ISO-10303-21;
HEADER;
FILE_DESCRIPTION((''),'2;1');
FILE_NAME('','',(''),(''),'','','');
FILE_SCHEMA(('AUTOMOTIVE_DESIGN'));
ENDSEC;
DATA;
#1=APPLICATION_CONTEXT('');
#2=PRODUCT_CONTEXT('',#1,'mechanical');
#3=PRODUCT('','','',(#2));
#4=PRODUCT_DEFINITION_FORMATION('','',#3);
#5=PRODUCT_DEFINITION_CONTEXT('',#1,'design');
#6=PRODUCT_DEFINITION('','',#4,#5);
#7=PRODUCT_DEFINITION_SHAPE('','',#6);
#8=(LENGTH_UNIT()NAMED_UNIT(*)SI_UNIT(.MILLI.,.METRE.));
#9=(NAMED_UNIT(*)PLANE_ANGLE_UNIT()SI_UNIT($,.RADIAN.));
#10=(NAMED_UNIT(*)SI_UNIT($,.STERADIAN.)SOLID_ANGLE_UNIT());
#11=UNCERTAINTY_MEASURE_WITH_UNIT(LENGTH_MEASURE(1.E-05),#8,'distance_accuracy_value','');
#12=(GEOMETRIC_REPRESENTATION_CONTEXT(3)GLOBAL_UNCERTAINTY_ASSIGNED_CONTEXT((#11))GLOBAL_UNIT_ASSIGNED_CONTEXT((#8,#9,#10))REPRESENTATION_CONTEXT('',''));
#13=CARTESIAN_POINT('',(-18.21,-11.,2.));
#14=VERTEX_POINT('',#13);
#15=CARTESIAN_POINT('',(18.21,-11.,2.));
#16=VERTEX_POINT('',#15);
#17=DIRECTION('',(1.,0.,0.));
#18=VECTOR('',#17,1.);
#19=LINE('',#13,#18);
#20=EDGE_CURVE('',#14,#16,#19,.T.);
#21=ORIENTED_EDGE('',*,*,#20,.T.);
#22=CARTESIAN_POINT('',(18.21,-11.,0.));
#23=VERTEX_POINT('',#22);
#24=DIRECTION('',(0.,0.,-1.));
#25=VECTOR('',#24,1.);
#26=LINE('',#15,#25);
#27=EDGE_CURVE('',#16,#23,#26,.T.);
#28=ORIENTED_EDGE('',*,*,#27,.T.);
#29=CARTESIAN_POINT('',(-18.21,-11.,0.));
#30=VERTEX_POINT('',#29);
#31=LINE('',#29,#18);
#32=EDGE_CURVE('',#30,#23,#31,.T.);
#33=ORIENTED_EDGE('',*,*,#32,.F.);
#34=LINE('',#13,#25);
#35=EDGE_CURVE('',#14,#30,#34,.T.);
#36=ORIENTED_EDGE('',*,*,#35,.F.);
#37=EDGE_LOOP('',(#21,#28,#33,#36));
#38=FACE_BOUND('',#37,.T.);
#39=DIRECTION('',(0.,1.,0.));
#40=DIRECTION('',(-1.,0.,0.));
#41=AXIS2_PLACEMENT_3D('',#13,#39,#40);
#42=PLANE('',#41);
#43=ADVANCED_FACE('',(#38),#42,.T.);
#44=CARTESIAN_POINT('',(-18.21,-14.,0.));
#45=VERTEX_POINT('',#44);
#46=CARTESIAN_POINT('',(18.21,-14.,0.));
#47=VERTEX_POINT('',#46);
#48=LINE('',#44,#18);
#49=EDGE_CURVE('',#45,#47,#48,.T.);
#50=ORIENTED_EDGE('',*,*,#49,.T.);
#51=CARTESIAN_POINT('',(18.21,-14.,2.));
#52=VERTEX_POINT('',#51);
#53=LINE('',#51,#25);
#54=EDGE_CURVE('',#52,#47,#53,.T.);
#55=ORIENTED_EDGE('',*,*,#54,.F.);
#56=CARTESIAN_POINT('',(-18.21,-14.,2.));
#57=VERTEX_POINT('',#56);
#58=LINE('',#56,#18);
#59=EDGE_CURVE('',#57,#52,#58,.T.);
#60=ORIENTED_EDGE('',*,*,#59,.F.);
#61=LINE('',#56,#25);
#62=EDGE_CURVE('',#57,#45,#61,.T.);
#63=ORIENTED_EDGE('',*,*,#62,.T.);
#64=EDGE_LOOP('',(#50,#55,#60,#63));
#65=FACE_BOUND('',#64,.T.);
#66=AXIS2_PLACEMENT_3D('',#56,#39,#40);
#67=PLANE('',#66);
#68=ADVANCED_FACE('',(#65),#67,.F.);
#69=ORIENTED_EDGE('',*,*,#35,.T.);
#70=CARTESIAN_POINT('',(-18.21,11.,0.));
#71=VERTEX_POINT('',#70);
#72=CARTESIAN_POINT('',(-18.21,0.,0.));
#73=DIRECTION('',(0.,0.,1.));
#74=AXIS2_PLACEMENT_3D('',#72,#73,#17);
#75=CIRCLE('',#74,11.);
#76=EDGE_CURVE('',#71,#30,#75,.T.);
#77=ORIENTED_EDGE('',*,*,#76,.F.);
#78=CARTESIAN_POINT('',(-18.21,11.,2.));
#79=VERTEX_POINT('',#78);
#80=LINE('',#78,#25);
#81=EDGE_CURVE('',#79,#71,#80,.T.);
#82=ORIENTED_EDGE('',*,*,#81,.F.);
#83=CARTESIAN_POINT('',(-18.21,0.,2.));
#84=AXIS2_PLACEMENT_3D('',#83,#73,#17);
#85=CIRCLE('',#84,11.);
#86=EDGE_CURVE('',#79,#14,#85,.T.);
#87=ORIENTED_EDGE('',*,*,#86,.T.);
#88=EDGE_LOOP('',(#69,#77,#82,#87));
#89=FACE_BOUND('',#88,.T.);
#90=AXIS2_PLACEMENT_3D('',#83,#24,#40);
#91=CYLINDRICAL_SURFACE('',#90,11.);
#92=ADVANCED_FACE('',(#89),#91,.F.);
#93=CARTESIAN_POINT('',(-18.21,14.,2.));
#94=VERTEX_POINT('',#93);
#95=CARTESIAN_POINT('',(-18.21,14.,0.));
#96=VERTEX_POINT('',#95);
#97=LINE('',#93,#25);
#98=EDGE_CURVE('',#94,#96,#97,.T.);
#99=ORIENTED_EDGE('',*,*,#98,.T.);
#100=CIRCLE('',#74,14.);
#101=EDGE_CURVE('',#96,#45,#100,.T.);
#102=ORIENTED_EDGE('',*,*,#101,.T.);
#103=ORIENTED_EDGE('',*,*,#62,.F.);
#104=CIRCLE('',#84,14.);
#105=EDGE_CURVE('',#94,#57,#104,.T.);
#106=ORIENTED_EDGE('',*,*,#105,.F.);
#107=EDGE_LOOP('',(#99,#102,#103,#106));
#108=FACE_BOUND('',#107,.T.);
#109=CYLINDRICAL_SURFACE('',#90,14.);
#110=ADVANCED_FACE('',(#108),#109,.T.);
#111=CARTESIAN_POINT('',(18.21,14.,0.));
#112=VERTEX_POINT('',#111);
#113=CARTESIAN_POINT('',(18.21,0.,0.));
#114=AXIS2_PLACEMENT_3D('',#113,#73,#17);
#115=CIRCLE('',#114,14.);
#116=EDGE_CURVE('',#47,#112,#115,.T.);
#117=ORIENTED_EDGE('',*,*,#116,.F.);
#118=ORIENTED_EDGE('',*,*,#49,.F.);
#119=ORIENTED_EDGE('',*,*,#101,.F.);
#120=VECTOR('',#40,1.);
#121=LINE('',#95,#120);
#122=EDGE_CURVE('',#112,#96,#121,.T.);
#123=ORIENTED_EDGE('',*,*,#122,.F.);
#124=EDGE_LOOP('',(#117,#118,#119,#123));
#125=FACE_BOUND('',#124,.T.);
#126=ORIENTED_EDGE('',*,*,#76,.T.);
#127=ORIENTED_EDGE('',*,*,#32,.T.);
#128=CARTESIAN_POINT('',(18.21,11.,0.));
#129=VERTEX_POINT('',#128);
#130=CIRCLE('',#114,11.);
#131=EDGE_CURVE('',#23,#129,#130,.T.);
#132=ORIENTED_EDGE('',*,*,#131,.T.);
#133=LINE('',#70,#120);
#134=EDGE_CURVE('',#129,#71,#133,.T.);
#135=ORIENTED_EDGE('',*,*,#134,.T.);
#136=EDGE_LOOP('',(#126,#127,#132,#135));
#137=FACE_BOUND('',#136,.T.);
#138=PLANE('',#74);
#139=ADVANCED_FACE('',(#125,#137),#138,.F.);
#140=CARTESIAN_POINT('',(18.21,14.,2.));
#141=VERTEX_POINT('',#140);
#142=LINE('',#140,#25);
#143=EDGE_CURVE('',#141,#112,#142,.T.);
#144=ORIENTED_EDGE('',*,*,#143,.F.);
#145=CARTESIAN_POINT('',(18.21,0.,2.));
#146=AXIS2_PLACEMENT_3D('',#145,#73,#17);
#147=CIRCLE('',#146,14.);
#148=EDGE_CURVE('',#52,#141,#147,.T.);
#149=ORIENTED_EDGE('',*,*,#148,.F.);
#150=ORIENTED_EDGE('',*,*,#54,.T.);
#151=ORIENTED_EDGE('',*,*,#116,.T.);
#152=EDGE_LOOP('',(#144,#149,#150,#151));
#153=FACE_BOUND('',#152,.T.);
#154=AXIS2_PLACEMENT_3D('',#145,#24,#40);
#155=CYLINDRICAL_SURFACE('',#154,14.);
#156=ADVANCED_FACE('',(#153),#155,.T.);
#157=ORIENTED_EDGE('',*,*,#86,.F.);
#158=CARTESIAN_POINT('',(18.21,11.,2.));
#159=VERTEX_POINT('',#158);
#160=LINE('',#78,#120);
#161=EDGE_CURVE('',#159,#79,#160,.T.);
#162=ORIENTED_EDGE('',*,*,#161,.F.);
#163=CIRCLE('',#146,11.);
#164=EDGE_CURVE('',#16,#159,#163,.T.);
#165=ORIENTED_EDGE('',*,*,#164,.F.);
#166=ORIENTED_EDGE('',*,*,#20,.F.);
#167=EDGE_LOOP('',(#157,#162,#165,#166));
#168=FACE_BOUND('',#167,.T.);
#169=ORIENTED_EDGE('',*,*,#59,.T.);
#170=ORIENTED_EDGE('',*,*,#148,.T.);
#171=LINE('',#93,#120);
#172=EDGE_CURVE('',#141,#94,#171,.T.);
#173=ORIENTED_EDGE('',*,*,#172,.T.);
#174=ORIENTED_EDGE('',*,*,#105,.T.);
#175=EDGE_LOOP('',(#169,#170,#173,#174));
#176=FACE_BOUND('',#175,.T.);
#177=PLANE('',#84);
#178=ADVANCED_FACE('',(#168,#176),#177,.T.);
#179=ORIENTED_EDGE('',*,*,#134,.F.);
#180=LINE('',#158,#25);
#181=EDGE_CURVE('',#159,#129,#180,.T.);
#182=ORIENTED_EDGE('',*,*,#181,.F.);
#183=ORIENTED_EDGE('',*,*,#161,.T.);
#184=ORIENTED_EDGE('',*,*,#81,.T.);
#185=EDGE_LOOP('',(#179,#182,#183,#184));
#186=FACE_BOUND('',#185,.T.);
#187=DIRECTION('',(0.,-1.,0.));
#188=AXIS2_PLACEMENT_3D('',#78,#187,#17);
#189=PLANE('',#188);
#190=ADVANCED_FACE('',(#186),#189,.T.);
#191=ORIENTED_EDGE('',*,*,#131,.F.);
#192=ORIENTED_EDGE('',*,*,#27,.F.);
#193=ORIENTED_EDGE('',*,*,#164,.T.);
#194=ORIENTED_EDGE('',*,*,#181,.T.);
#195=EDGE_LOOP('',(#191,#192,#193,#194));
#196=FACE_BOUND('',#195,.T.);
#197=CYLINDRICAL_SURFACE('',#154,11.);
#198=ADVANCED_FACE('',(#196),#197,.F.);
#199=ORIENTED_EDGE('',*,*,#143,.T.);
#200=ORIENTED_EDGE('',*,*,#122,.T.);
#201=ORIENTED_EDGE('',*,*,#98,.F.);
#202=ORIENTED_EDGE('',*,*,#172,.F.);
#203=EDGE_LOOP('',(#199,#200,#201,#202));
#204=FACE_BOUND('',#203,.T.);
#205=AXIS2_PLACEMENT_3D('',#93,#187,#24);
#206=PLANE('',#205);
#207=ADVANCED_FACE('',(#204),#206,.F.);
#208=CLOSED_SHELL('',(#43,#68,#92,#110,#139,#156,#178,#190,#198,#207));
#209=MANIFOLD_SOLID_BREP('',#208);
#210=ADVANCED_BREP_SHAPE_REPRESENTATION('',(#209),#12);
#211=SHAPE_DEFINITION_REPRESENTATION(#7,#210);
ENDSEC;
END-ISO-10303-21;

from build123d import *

# Parameters (mm, degrees)
BOSS_EXTRUDE1_DEPTH = 2


with BuildPart() as part:
    # Sketch1 → Boss-Extrude1 (new body)
    with BuildSketch(Plane.XY):
        with BuildLine():
            Line((-18.21, 14), (18.21, 14))
            ThreePointArc((18.21, 14), (32.21, 0), (18.21, -14))
            Line((18.21, -14), (-18.21, -14))
            ThreePointArc((-18.21, -14), (-32.21, 0), (-18.21, 14))
        make_face()
        with BuildLine():
            Line((-18.21, 11), (18.21, 11))
            ThreePointArc((18.21, 11), (29.21, 0), (18.21, -11))
            Line((18.21, -11), (-18.21, -11))
            ThreePointArc((-18.21, -11), (-29.21, 0), (-18.21, 11))
        make_face(mode=Mode.SUBTRACT)
    extrude(amount=BOSS_EXTRUDE1_DEPTH)


solid = part.part
